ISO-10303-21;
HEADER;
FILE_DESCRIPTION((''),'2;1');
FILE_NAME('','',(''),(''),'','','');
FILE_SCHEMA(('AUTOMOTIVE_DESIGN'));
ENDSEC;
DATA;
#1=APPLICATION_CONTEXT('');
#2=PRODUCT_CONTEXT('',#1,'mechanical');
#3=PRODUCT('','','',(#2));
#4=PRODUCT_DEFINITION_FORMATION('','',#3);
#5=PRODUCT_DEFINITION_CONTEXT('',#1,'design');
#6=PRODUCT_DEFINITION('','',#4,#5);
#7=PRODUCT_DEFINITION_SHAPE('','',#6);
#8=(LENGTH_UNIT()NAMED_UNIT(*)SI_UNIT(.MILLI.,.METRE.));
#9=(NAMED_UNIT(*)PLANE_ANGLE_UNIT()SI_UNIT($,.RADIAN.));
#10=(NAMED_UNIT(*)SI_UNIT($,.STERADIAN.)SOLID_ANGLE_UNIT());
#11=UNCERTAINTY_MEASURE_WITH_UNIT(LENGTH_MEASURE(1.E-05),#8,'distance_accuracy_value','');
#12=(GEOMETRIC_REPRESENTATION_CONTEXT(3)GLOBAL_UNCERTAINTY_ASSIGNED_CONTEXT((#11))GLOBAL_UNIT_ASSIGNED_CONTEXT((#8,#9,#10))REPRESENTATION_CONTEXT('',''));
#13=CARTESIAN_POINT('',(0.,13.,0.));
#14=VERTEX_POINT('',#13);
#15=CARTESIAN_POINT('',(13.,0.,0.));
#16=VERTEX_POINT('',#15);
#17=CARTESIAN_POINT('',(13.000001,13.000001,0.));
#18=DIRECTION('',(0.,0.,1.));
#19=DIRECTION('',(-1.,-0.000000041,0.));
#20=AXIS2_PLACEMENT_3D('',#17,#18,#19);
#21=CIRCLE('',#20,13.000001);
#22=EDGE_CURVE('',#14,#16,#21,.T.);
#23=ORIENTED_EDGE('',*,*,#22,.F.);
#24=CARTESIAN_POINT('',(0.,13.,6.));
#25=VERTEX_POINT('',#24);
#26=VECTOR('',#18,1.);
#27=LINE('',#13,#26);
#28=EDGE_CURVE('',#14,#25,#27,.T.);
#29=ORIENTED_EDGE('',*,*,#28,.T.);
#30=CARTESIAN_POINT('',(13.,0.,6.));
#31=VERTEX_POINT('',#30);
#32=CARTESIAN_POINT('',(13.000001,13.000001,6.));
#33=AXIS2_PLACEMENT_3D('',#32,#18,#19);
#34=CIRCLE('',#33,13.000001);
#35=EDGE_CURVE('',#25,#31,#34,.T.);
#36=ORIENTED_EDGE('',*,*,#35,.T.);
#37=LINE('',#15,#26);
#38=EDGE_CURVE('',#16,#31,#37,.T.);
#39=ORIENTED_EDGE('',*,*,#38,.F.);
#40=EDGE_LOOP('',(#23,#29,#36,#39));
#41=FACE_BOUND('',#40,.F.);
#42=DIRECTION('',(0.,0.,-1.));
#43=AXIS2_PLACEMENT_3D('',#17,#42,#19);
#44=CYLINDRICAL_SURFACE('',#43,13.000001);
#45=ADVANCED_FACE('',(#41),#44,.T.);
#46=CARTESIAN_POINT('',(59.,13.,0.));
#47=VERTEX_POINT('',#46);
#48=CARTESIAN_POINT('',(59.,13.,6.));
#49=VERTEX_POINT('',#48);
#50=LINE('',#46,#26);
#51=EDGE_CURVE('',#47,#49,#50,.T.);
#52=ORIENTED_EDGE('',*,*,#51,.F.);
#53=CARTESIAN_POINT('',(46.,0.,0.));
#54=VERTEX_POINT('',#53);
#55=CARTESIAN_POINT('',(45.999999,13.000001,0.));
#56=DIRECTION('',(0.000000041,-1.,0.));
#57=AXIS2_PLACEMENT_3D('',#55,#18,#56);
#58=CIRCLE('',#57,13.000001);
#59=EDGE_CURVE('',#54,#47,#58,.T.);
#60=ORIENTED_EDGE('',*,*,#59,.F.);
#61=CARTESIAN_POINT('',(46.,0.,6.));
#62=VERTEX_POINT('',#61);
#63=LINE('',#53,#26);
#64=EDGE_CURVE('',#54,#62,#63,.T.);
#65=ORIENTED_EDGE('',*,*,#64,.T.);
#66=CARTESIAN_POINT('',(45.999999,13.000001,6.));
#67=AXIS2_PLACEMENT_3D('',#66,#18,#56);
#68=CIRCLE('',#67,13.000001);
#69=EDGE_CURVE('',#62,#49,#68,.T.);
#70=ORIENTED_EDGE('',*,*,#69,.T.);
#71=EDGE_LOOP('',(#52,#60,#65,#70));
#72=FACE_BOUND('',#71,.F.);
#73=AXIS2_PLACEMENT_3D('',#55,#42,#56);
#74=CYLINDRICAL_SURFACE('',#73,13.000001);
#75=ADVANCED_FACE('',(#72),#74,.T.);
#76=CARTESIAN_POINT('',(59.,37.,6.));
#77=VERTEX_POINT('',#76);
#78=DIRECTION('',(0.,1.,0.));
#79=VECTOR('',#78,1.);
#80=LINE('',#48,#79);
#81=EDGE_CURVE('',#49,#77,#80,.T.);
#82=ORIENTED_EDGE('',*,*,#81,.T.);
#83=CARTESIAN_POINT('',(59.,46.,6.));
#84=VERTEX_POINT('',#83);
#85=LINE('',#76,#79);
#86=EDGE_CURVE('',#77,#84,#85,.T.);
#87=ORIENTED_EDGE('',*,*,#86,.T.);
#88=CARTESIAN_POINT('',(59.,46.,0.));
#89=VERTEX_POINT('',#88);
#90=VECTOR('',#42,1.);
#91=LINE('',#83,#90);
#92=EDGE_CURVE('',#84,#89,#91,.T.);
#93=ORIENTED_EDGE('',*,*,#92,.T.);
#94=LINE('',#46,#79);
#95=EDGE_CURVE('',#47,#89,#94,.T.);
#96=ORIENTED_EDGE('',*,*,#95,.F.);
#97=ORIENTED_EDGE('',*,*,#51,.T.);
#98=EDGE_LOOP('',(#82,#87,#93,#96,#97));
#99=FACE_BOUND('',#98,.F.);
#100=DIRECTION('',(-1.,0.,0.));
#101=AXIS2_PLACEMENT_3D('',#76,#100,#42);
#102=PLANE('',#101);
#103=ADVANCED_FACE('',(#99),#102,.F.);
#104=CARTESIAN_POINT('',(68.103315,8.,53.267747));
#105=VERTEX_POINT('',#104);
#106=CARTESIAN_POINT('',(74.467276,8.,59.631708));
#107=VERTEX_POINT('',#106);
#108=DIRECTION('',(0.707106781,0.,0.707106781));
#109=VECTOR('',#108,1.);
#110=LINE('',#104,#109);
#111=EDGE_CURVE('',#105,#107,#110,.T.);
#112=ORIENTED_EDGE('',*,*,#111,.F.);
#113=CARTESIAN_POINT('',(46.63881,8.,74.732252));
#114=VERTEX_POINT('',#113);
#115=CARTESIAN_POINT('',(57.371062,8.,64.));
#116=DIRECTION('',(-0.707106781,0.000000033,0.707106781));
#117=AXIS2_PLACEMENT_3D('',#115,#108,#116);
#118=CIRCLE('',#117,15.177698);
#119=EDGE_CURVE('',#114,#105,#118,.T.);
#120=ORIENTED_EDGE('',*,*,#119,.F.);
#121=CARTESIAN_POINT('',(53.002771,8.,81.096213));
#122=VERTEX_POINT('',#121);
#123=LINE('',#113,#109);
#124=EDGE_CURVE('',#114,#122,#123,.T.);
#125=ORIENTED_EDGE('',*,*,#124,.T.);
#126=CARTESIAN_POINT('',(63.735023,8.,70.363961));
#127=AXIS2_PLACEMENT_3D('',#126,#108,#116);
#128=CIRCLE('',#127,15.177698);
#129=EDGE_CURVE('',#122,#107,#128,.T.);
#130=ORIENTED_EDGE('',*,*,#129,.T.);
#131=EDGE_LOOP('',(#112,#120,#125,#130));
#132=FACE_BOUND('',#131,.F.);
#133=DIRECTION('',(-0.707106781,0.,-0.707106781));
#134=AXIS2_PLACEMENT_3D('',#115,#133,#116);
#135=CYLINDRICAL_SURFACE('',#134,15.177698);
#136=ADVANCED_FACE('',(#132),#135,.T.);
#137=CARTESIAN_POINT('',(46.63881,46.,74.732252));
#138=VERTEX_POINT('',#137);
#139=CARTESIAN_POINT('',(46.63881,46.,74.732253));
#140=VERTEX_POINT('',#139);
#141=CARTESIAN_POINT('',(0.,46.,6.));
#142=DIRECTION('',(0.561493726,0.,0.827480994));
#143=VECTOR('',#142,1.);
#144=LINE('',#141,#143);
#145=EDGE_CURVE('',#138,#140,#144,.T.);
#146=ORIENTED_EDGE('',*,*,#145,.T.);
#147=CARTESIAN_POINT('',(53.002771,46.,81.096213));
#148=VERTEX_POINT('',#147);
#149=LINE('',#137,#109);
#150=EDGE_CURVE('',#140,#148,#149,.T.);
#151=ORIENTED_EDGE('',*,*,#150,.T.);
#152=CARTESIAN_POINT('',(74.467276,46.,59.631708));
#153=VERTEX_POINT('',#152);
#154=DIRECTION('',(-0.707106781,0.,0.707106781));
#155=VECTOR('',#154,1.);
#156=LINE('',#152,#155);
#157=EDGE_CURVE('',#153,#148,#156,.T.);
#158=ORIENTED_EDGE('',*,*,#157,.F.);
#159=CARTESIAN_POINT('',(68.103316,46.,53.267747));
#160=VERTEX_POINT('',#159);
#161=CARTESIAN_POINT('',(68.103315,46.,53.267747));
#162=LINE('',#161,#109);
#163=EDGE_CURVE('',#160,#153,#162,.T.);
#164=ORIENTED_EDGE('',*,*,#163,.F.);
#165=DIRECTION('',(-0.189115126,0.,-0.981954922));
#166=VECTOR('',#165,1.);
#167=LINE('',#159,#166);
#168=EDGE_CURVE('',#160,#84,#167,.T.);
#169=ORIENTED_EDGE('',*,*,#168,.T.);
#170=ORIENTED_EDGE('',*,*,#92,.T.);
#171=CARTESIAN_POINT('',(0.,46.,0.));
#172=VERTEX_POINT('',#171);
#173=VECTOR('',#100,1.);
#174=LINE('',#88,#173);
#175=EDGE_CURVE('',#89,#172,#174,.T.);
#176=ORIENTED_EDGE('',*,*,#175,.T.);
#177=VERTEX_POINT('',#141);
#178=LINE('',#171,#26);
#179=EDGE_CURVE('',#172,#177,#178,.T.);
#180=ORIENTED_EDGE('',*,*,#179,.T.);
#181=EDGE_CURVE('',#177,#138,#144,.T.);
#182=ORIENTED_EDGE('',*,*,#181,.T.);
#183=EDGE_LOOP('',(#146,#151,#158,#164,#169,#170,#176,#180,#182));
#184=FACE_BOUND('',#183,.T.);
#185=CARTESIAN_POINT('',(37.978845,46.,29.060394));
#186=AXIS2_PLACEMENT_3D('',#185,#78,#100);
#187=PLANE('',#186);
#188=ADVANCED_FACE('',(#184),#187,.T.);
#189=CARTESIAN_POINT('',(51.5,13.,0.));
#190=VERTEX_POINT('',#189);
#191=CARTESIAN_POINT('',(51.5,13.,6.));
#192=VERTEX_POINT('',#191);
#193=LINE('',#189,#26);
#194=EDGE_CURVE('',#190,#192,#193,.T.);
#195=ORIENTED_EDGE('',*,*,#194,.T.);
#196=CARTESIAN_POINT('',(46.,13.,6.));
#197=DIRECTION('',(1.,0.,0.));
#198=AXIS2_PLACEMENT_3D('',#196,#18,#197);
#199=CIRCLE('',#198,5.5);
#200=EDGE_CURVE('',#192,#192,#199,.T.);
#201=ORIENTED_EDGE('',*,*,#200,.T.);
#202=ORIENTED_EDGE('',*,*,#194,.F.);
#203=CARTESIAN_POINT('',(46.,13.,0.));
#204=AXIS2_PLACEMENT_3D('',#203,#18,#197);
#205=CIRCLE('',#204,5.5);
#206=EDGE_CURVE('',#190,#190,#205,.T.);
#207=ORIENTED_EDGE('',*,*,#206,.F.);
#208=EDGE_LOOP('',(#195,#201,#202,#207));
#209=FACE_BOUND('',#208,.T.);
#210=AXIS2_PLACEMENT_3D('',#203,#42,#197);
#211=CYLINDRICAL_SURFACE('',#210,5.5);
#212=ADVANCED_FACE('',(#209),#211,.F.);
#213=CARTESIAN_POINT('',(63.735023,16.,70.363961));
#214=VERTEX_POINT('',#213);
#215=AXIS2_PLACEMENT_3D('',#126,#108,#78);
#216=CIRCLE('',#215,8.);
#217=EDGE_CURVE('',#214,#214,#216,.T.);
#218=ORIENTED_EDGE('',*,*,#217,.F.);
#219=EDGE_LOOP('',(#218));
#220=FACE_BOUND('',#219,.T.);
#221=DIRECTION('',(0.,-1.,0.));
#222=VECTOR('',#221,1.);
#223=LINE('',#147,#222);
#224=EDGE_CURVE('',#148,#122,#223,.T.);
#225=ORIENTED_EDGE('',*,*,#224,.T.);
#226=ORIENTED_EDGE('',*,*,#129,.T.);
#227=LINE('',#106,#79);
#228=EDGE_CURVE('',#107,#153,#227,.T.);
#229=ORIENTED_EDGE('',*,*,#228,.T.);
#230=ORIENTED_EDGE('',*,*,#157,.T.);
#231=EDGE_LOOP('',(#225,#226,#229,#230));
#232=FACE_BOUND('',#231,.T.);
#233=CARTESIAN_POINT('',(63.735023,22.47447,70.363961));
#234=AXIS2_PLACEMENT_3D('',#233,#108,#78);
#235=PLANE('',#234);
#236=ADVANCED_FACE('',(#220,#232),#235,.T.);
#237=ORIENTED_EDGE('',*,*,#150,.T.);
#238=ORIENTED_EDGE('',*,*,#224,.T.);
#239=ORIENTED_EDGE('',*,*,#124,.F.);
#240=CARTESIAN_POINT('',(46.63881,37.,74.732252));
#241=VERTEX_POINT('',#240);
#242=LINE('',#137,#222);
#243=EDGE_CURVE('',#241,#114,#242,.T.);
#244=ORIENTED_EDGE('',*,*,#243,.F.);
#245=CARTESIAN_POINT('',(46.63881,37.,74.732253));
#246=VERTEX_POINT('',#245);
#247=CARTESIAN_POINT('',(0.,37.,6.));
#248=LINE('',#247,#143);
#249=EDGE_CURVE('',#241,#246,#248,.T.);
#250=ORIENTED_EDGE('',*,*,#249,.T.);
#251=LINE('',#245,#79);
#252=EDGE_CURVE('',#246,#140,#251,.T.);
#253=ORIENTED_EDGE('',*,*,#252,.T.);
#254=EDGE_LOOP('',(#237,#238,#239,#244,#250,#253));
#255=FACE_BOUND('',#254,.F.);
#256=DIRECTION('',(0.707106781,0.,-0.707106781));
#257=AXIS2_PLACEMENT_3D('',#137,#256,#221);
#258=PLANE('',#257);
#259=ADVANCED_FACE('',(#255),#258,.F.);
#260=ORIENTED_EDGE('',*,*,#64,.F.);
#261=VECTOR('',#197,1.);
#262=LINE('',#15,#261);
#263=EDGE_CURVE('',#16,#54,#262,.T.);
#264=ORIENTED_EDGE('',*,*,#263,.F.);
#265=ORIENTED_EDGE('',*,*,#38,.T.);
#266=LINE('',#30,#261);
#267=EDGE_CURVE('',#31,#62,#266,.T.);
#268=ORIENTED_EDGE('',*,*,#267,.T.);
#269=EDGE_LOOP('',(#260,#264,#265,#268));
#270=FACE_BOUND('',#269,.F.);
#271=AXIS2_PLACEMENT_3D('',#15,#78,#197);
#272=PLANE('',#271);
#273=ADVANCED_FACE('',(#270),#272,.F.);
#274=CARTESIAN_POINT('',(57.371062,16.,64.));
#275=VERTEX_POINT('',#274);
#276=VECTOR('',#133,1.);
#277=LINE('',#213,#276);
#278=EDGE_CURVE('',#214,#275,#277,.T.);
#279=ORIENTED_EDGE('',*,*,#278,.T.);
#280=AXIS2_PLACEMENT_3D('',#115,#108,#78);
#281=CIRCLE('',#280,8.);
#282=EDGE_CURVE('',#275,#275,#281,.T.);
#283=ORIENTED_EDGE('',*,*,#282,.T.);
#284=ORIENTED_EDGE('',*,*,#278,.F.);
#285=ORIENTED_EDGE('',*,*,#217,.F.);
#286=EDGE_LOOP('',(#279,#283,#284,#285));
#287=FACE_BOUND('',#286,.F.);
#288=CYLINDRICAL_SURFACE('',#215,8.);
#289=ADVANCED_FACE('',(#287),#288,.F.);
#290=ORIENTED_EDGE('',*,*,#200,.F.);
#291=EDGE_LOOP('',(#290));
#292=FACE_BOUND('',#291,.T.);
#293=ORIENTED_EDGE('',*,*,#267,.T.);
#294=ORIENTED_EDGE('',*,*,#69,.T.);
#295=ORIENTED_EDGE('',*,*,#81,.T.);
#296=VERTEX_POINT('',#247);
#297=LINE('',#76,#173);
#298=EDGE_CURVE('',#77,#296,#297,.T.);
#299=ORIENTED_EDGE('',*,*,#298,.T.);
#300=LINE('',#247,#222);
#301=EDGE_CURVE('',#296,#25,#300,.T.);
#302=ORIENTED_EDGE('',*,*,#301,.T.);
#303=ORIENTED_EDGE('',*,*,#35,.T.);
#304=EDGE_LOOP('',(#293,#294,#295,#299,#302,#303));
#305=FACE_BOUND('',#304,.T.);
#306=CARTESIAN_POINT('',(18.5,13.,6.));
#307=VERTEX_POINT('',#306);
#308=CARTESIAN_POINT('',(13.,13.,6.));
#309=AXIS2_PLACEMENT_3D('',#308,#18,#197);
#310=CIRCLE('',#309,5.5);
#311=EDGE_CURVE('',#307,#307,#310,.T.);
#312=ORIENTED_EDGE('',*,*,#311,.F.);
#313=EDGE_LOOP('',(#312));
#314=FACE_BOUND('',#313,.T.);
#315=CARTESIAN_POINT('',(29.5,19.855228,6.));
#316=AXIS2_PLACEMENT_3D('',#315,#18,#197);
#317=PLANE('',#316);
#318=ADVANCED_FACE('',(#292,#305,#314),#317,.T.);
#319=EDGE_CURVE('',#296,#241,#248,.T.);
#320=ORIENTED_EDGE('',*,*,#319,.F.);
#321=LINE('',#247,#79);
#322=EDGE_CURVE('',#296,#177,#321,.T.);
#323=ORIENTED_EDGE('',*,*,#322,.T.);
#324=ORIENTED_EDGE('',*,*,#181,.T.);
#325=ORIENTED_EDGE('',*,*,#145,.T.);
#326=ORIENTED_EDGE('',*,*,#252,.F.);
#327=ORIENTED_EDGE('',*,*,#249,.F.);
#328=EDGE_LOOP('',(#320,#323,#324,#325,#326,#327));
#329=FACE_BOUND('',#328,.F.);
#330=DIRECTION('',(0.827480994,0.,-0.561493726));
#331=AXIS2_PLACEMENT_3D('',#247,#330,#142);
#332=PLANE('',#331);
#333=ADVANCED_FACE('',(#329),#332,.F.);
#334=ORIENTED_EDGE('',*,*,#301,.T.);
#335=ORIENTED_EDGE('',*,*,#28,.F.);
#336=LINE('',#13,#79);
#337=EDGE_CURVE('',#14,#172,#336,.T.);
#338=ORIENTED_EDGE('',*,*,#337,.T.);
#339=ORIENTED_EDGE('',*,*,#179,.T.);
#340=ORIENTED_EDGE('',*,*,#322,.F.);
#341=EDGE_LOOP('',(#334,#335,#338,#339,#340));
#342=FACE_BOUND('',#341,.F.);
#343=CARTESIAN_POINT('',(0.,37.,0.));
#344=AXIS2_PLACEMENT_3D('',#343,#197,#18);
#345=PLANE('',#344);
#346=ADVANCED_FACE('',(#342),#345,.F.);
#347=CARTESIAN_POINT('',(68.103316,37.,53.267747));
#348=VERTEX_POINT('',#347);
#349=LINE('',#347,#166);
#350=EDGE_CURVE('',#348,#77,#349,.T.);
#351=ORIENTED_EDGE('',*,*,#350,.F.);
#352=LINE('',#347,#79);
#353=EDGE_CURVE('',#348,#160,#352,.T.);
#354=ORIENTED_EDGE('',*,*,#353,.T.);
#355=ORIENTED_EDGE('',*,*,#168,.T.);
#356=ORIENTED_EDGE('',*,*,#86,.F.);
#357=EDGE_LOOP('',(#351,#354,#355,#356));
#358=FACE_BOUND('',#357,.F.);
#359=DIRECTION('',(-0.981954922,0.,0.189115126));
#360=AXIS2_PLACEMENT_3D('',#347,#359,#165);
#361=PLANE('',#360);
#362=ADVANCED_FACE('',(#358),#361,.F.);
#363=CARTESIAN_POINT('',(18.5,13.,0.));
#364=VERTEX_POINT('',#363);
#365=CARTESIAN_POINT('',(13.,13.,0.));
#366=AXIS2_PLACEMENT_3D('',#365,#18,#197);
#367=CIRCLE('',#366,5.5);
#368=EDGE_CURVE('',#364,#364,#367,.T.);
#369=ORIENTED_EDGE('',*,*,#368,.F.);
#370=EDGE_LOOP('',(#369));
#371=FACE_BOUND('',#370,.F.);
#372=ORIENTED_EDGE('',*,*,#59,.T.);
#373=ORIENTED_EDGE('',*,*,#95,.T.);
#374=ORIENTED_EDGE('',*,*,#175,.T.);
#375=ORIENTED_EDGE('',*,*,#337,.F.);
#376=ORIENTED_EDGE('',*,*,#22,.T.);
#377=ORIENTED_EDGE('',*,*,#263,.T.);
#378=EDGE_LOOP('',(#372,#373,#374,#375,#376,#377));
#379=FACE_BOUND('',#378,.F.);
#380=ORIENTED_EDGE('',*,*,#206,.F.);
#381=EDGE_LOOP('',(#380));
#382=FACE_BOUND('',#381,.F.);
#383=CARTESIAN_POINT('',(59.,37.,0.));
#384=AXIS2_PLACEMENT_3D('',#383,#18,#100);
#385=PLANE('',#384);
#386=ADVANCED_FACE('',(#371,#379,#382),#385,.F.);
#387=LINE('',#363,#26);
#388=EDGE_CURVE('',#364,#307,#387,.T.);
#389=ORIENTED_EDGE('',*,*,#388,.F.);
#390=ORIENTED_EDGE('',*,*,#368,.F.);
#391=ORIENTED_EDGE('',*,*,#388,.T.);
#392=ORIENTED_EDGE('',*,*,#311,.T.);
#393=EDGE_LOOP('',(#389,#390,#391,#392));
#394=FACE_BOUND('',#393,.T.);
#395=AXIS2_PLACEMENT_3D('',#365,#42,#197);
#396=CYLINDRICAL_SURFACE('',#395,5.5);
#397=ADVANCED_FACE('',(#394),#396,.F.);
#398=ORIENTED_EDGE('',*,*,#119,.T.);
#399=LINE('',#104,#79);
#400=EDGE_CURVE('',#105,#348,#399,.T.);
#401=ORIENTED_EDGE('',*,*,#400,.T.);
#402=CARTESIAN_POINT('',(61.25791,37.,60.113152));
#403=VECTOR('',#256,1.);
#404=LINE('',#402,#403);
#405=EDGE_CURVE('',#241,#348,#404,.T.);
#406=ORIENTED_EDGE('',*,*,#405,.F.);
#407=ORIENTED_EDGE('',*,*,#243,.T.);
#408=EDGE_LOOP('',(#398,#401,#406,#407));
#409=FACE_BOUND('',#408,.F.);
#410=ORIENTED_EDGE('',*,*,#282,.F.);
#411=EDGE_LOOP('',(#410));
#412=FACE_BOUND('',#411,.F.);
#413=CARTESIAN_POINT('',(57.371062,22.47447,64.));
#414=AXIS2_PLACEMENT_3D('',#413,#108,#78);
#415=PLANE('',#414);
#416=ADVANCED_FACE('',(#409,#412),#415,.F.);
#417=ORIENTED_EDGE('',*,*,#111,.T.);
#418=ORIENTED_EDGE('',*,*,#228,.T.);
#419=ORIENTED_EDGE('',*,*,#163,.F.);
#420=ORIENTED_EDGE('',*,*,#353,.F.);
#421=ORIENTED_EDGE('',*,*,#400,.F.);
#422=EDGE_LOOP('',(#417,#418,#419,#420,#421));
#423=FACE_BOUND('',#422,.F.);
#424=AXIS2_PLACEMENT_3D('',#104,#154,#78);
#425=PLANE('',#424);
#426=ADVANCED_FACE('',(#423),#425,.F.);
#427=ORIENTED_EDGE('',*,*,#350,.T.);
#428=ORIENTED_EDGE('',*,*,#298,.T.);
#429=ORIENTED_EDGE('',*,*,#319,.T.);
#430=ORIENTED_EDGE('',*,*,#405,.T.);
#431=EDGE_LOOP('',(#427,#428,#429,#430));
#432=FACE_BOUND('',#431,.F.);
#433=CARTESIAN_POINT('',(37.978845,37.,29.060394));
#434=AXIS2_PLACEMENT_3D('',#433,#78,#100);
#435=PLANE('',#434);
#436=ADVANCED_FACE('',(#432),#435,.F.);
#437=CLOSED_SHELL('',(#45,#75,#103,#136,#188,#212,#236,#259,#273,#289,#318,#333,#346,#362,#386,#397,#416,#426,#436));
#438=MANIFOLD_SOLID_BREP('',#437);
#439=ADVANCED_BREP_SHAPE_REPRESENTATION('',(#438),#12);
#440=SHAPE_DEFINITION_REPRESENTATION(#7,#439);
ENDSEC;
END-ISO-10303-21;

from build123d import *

# Parameters (mm, degrees)
F0_R     = 5.5
F1_DEPTH = 6
F3_DEPTH = 9
F5_DEPTH = 9
F6_R     = 8
F7_DEPTH = 9


with BuildPart() as f1:
    # F0 (on Top) → F1 (new body)
    with BuildSketch(Plane.XY):
        with BuildLine():
            Line((59, 37), (0, 37))
            Line((0, 37), (0, 13))
            ThreePointArc((0, 13), (3.807612, 3.807612), (13, 0))
            Line((13, 0), (46, 0))
            ThreePointArc((46, 0), (55.192388, 3.807612), (59, 13))
            Line((59, 13), (59, 37))
        make_face()
        with Locations((13, 13)):
            Circle(F0_R, mode=Mode.SUBTRACT)
        with Locations((46, 13)):
            Circle(F0_R, mode=Mode.SUBTRACT)
    extrude(amount=F1_DEPTH)

    # F2 (on face) → F3 (join)
    with BuildSketch(Plane(origin=(0, 37, 0), x_dir=(-1, 0, 0), z_dir=(0, 1, 0))):
        Polygon((-68.103316, 53.267747), (-59, 6), (-59, 0), (0, 0), (0, 6), (-46.63881, 74.732253), align=None)
    extrude(amount=F3_DEPTH)

    # F4 (on face) → F5 (join)
    with BuildSketch(Plane(origin=(60.685531, 0, 60.685531), x_dir=(0, 1, 0), z_dir=(0.707107, 0, 0.707107))):
        with BuildLine():
            Line((46, 19.865064), (37, 19.865064))
            Line((37, 19.865064), (8, 19.865064))
            ThreePointArc((8, 19.865064), (-7.177698, 4.687367), (8, -10.490331))
            Line((8, -10.490331), (37, -10.490331))
            Line((37, -10.490331), (46, -10.490331))
            Line((46, -10.490331), (46, 19.865064))
        make_face()
    extrude(amount=F5_DEPTH)

    # F6 (on face) → F7 (cut)
    with BuildSketch(Plane(origin=(67.049492, 0, 67.049492), x_dir=(0, 1, 0), z_dir=(0.707107, 0, 0.707107))):
        with Locations((8, 4.687367)):
            Circle(F6_R)
    extrude(amount=-F7_DEPTH, mode=Mode.SUBTRACT)


solid = f1.part
